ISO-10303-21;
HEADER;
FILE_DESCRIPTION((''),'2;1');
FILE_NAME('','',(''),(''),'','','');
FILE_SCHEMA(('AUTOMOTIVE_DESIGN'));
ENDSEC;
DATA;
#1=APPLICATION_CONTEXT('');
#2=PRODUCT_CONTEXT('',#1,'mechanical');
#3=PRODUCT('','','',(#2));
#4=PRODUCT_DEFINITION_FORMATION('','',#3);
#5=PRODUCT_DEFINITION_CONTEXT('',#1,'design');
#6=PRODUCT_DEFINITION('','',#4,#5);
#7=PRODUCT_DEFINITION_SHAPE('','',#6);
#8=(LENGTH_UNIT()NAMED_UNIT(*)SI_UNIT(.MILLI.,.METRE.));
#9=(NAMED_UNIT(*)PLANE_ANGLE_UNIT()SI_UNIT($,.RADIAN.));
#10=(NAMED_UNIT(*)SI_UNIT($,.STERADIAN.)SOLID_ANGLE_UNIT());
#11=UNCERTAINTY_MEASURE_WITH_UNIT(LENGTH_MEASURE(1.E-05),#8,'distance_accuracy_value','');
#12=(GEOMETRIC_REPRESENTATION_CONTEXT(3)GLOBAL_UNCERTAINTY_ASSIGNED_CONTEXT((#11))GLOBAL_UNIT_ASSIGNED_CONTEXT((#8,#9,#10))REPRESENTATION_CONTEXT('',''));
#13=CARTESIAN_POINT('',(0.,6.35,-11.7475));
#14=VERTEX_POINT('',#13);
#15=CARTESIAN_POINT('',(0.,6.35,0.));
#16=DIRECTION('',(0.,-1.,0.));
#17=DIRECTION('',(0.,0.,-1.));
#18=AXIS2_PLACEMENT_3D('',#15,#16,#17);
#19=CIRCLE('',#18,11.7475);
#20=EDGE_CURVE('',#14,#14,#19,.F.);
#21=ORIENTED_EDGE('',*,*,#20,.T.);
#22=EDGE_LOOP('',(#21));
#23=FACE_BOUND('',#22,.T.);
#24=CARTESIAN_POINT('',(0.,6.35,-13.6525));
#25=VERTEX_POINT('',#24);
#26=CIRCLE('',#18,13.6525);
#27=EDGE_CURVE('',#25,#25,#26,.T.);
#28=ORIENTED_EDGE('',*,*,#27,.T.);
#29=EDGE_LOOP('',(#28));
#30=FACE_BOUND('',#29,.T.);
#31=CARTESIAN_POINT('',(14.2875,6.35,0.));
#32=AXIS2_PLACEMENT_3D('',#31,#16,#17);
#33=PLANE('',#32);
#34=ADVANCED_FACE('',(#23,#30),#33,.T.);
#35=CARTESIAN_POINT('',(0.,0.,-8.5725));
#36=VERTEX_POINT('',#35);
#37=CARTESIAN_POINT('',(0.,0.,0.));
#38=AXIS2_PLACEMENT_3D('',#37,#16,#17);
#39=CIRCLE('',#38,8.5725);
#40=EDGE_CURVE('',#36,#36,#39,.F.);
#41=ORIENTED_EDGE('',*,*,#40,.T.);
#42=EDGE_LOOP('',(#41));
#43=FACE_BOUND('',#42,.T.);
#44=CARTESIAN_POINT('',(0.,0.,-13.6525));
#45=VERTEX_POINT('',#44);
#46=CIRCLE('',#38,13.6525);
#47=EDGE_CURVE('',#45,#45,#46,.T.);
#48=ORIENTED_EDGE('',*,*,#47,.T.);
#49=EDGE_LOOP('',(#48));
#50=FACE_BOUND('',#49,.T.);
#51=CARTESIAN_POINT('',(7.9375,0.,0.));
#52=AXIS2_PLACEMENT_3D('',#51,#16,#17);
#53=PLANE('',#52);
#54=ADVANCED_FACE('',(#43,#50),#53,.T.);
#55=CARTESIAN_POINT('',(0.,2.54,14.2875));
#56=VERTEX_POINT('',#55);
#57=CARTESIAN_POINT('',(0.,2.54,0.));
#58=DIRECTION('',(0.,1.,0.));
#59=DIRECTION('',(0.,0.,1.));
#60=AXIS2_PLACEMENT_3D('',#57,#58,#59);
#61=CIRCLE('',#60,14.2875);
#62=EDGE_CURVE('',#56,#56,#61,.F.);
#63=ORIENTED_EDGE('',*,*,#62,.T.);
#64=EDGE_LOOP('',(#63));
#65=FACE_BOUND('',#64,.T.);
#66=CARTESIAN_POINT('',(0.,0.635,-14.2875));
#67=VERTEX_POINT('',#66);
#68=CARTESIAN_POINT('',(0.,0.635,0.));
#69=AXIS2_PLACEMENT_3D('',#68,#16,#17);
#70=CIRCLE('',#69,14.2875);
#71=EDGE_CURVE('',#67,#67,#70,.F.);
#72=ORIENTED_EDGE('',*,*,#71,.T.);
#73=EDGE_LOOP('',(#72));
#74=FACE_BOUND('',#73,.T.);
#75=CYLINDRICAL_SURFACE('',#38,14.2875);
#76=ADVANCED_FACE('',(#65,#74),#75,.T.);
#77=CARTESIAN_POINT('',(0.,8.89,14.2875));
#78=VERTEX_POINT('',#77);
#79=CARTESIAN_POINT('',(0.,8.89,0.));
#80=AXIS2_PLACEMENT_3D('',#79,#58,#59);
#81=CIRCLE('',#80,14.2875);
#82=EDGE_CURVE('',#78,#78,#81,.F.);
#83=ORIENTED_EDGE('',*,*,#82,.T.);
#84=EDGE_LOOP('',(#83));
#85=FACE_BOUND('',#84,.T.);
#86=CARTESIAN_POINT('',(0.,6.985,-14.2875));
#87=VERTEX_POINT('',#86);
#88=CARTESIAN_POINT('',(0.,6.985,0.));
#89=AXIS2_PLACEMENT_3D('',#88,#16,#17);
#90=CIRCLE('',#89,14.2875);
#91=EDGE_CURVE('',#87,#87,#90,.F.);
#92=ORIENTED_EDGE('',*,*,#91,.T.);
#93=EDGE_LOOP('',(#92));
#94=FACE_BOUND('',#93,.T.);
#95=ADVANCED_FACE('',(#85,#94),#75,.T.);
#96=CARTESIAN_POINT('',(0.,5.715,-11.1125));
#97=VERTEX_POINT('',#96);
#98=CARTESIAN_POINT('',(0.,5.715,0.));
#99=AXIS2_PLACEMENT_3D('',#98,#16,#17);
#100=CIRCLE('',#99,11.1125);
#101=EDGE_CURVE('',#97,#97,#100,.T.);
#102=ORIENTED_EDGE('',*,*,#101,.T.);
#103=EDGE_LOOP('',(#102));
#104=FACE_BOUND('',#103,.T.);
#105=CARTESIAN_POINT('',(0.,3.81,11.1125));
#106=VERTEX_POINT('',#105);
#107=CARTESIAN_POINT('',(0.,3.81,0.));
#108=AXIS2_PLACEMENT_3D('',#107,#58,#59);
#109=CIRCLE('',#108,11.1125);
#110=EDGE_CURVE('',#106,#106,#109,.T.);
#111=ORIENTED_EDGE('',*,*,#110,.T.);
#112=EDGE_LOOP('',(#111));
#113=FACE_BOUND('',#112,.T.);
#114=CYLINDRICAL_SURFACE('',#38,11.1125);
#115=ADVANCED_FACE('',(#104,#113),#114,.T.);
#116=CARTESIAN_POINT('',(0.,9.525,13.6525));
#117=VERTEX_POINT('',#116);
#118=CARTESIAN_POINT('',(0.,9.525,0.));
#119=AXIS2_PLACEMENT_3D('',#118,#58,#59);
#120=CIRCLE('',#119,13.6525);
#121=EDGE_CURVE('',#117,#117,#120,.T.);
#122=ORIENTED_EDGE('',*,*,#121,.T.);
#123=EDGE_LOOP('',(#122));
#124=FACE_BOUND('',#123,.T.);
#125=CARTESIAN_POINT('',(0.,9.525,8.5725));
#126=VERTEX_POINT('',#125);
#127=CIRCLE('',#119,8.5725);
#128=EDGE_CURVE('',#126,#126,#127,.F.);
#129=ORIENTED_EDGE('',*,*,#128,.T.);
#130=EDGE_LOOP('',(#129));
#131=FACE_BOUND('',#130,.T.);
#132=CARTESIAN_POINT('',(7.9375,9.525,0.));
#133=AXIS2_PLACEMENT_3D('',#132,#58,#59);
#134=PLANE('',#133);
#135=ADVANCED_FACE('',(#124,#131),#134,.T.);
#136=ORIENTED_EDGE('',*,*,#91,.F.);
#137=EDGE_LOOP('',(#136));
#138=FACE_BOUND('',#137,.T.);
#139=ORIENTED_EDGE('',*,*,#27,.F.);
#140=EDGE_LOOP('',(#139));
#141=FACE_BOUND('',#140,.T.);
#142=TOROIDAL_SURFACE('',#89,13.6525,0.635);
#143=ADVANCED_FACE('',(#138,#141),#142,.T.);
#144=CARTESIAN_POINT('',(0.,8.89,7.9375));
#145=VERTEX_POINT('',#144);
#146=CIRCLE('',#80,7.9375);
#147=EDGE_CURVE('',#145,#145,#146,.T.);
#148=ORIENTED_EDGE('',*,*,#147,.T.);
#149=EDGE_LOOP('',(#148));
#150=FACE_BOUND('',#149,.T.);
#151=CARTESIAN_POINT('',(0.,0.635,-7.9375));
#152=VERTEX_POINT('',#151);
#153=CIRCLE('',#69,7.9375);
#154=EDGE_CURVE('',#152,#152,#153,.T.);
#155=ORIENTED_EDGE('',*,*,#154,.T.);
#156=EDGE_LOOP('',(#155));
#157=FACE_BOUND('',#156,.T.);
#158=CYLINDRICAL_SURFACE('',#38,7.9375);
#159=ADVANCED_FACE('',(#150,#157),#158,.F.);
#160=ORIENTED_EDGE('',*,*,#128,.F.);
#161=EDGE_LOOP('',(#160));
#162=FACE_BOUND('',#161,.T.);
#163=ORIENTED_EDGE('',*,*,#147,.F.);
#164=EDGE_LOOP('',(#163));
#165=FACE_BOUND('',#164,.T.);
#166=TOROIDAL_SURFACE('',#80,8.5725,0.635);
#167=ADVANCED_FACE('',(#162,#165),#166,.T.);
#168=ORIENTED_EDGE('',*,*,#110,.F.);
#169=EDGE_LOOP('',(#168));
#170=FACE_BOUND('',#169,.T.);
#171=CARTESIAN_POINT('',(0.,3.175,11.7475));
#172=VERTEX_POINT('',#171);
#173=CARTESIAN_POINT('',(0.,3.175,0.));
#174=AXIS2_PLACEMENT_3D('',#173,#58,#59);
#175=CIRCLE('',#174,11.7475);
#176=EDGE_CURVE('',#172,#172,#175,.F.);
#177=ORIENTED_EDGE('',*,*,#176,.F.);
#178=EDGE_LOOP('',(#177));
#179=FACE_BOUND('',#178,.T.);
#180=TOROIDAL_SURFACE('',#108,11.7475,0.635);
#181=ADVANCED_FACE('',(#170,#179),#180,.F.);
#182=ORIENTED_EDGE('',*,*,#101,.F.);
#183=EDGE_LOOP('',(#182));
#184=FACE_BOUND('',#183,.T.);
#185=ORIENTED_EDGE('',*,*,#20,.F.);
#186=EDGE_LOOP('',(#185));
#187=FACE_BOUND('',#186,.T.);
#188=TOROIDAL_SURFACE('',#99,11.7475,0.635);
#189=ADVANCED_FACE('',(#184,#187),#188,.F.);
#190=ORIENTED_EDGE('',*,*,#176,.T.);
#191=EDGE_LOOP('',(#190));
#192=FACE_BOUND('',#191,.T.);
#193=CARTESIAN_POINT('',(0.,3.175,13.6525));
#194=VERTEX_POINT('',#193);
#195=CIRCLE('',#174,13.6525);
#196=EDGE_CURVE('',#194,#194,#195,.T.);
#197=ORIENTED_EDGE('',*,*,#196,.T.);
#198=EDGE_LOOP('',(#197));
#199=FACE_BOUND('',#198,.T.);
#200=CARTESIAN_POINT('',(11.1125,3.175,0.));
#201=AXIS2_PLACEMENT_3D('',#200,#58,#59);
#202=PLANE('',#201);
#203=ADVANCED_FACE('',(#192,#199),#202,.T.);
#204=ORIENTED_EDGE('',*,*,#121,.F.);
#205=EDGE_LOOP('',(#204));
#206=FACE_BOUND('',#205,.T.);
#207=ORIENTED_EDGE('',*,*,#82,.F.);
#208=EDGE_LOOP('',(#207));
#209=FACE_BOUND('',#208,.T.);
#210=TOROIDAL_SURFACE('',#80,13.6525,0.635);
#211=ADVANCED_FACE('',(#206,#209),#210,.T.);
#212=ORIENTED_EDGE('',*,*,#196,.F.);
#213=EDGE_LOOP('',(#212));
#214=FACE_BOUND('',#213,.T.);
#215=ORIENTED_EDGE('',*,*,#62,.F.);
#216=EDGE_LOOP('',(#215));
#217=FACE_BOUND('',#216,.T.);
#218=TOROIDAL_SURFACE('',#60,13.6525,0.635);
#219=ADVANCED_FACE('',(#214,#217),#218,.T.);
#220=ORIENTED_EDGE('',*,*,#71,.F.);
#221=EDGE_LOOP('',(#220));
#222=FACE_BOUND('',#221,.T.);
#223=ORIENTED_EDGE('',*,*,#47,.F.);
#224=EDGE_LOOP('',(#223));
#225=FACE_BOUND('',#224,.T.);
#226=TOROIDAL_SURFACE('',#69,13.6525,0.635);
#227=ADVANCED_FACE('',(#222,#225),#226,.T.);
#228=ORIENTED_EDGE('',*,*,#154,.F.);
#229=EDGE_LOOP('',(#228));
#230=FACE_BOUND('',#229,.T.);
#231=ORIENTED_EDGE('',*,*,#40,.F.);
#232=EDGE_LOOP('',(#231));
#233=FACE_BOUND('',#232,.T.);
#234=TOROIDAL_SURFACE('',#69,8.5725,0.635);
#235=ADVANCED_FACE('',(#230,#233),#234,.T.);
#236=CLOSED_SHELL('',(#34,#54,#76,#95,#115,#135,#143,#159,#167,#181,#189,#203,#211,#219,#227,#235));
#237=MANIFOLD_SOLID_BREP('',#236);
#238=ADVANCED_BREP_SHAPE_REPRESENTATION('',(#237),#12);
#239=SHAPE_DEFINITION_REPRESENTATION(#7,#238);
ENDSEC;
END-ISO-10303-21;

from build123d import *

# Parameters (mm, degrees)
FILLET2_R = 0.635


with BuildPart() as part:
    # Sketch1 → Revolve1 (revolve)
    with BuildSketch(Plane.XY, mode=Mode.PRIVATE) as revolve1_sk:
        Polygon((7.9375, 0), (14.2875, 0), (14.2875, 3.175), (11.1125, 3.175), (11.1125, 6.35), (14.2875, 6.35), (14.2875, 9.525), (7.9375, 9.525), align=None)
    revolve(revolve1_sk.sketch.rotate(Axis((0, 0, 0), (0, 1, 0)), 90), axis=Axis((0, 0, 0), (0, 1, 0)))

    # Fillet2
    fillet2_edges = [part.edges().sort_by_distance(p)[0] for p in [
        (0, 0, 7.9375),
        (0, 0, 14.2875),
        (0, 3.175, 14.2875),
        (0, 3.175, 11.1125),
        (0, 6.35, 11.1125),
        (0, 6.35, 14.2875),
        (0, 9.525, 14.2875),
        (0, 9.525, 7.9375),
    ]]
    fillet(fillet2_edges, radius=FILLET2_R)


solid = part.part
